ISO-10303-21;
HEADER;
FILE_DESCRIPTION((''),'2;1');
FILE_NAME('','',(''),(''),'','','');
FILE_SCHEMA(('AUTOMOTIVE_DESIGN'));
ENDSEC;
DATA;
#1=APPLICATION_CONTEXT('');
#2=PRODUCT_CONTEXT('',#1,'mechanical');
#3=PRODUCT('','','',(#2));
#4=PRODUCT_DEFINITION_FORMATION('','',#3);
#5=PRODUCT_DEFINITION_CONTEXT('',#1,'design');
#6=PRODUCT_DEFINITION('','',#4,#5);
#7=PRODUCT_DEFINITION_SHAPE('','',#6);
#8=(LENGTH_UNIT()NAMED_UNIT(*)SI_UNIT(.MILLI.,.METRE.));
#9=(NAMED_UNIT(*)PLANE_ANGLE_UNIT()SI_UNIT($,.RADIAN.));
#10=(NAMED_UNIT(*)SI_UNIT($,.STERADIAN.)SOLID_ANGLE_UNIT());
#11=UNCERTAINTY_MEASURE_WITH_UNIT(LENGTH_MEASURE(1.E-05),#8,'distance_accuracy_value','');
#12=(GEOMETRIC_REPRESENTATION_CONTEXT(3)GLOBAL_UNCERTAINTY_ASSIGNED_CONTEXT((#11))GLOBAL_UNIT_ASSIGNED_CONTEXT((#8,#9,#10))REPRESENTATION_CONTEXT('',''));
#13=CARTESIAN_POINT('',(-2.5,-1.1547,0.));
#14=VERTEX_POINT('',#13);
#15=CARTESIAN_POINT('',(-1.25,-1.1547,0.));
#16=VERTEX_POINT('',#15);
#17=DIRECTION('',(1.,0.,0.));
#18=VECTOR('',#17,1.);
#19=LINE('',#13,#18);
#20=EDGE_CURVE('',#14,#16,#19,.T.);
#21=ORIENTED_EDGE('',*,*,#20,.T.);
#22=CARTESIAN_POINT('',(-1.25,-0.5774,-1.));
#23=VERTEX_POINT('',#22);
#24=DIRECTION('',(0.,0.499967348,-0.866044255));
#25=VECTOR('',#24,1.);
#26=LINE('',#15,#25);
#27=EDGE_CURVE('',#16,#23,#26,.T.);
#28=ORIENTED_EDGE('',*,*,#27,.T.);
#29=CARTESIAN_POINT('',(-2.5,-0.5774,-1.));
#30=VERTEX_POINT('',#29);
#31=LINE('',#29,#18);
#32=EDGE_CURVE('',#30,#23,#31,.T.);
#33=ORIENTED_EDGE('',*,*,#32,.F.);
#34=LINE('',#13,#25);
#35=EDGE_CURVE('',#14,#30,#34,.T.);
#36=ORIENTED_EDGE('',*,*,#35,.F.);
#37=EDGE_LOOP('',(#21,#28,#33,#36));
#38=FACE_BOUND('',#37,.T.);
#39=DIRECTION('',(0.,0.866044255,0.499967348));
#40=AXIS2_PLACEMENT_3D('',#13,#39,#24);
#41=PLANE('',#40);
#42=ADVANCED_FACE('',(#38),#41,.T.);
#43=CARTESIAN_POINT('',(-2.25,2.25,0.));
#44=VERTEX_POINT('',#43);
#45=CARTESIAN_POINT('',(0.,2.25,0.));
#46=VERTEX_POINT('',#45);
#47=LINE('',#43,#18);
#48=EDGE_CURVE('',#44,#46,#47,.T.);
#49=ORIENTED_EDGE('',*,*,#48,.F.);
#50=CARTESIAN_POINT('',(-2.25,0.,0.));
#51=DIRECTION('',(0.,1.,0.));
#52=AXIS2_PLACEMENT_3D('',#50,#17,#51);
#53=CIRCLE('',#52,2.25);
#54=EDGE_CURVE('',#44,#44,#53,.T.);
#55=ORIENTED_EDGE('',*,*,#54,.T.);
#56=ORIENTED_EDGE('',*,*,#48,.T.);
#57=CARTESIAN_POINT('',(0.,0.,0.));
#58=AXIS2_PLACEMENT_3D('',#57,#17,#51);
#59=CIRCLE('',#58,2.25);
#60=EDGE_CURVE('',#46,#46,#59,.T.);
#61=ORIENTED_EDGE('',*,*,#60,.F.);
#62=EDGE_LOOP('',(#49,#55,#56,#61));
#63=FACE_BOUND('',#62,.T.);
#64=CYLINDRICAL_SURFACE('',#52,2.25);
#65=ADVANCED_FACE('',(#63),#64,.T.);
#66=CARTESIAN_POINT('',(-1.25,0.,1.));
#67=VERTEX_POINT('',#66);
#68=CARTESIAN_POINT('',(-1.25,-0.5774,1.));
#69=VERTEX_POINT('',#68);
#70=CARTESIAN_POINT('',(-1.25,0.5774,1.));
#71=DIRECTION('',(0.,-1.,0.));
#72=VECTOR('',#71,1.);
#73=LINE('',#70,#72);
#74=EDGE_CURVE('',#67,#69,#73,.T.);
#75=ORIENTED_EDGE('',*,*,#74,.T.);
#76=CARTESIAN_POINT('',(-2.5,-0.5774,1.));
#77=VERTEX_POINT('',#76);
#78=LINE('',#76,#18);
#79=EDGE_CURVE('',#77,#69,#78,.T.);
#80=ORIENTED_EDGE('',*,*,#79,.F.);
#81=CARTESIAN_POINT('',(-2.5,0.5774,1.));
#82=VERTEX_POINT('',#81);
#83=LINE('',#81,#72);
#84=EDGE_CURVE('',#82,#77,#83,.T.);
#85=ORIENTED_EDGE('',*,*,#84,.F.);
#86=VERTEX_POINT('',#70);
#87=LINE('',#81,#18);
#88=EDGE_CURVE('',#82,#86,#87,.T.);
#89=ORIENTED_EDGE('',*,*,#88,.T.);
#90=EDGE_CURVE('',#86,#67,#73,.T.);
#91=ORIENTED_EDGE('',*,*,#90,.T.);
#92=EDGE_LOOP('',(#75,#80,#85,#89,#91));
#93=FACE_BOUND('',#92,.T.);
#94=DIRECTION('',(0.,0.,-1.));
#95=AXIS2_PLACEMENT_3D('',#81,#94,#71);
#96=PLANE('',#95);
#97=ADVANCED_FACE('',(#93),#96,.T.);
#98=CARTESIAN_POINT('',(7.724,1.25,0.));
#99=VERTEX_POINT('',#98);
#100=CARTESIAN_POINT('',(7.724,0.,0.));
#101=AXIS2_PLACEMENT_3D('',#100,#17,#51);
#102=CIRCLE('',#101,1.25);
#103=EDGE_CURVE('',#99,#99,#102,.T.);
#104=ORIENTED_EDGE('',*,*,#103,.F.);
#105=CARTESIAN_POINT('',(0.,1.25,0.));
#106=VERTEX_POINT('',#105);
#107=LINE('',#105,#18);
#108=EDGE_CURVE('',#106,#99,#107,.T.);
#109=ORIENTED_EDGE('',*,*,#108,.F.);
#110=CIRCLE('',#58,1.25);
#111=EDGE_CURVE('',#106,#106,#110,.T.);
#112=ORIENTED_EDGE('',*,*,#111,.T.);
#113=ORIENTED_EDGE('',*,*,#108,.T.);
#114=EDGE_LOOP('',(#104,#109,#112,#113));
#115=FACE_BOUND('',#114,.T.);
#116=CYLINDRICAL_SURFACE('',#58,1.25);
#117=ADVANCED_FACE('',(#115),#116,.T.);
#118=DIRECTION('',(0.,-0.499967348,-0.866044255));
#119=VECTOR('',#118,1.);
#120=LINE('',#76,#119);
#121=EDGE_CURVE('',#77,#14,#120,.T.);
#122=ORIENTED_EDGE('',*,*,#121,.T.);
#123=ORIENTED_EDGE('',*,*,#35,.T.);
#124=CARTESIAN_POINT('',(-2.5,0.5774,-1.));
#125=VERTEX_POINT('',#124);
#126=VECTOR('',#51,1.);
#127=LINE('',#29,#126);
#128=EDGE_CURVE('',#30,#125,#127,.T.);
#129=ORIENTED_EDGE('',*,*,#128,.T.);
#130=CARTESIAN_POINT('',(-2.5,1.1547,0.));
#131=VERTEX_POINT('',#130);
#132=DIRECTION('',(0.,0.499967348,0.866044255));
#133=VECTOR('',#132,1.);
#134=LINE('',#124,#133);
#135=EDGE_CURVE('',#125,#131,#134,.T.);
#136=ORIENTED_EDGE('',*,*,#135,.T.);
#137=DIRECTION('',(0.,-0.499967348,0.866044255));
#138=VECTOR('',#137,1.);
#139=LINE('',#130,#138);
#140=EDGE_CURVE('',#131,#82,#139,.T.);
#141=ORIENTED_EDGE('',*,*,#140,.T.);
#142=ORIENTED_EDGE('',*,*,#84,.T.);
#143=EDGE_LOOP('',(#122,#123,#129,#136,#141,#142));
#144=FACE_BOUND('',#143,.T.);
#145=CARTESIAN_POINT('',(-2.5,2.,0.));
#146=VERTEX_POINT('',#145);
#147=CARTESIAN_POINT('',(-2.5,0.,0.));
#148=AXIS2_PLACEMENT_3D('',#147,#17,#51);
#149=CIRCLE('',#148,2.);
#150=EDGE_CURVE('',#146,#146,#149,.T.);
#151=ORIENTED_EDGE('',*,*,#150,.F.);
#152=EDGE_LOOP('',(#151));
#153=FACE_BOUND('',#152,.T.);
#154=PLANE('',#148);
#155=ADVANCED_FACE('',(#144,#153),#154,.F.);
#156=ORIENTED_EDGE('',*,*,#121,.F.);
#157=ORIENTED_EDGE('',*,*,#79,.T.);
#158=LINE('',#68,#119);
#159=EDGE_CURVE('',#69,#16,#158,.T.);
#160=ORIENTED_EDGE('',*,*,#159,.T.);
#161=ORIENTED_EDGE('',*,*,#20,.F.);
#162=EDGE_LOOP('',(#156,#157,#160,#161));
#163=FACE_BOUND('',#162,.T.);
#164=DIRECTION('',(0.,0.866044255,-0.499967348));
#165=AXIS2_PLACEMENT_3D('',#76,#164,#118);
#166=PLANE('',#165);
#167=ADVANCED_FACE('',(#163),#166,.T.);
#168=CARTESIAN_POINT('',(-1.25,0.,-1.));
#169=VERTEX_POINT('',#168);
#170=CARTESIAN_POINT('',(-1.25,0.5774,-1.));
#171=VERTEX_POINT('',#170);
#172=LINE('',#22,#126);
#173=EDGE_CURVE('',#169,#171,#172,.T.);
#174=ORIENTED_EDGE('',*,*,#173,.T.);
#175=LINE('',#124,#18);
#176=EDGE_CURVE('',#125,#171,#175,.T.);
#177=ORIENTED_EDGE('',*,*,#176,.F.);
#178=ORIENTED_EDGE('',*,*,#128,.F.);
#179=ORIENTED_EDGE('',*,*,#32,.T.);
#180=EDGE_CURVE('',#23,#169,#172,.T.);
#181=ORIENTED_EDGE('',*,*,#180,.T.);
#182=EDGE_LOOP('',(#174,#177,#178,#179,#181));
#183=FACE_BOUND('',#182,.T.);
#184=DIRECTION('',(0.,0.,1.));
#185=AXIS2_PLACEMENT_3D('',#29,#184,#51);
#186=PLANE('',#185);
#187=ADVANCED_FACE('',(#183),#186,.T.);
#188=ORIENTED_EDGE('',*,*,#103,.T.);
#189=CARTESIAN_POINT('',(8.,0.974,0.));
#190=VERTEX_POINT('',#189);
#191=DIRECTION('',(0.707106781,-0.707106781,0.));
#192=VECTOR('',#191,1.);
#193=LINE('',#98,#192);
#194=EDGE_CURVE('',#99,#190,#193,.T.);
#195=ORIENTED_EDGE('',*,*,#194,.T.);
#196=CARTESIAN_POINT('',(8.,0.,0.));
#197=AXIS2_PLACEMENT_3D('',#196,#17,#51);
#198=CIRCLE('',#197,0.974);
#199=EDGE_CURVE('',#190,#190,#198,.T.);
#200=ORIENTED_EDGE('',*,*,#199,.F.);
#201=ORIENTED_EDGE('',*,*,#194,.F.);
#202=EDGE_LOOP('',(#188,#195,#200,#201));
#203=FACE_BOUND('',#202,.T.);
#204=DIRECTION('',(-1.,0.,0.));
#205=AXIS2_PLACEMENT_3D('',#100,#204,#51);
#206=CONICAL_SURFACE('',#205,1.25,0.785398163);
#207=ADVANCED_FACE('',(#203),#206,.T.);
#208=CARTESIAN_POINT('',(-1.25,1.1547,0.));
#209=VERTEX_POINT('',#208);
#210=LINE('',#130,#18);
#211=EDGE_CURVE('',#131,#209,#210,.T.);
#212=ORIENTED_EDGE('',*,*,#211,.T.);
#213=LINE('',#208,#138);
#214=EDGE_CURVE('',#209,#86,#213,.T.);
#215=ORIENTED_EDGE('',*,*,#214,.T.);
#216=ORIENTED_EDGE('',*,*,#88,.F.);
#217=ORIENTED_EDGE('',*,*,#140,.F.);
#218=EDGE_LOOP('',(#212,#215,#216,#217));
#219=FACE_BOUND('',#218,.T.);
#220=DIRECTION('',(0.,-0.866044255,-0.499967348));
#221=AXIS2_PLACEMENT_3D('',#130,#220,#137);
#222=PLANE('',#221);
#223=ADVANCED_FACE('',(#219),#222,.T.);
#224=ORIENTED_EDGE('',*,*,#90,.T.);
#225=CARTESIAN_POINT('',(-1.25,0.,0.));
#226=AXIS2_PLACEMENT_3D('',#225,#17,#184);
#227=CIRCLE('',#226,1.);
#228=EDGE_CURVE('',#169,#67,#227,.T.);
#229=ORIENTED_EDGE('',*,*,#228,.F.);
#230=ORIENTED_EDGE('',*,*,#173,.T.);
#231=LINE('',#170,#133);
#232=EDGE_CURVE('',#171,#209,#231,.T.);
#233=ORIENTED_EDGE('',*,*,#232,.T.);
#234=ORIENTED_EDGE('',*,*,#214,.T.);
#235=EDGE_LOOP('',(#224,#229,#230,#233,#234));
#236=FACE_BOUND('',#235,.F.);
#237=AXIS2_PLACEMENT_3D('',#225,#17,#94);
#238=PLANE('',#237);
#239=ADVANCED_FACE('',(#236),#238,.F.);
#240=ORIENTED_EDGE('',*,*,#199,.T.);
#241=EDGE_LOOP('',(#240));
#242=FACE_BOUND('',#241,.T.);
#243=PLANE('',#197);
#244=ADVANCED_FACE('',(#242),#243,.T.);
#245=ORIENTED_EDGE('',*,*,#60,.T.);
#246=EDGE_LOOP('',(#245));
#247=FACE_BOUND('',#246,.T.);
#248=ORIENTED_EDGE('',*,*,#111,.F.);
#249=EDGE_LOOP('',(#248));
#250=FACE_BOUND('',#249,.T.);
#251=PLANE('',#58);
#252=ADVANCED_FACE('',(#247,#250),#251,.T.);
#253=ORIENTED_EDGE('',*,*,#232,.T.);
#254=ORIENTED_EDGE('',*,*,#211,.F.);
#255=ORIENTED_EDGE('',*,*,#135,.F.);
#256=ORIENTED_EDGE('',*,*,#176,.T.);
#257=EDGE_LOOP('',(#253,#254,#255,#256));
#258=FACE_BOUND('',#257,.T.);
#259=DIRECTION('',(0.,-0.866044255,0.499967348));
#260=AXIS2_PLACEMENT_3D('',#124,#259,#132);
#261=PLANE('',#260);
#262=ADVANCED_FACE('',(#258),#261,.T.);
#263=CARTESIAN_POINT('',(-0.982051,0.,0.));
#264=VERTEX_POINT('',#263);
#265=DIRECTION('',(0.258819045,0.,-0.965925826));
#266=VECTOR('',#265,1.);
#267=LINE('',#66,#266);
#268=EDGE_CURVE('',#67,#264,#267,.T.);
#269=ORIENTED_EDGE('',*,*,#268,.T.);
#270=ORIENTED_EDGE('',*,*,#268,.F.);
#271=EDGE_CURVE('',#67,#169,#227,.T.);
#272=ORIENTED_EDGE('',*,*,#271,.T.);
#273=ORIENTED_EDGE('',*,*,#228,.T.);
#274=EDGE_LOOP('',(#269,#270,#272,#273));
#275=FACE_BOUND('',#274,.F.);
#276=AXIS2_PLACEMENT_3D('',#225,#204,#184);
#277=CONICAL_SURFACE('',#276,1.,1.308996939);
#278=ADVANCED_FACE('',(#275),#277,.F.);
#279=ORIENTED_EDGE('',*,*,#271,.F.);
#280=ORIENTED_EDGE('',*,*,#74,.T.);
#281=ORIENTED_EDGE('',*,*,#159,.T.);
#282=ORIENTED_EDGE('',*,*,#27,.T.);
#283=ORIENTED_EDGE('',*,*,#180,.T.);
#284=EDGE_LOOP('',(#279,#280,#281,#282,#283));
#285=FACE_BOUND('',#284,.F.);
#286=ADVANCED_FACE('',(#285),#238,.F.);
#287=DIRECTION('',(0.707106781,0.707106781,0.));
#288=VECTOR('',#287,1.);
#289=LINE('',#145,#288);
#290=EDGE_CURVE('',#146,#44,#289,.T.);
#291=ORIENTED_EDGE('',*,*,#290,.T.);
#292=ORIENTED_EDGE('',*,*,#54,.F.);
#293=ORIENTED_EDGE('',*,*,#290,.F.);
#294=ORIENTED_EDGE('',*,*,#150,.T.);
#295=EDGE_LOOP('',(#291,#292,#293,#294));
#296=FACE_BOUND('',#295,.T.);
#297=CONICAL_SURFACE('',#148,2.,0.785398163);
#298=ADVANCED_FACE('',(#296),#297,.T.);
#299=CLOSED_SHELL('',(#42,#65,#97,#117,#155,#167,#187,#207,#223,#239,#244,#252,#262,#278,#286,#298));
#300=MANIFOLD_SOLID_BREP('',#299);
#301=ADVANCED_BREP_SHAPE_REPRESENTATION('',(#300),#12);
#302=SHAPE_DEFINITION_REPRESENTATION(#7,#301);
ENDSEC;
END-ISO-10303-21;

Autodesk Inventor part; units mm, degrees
sketch "Sketch_1" plane through (0, 0, 0) normal (0, 0, 1) x (1, 0, 0)
  line L0 (8, 0) -> (-2.5, 0)
  line L1 (-2.5, 0) -> (-2.5, 2)
  line L2 (-2.5, 2) -> (-2.25, 2.25)
  line L3 (-2.25, 2.25) -> (0, 2.25)
  line L4 (0, 2.25) -> (0, 1.25)
  line L5 (0, 1.25) -> (7.724, 1.25)
  line L6 (7.724, 1.25) -> (8, 0.974)
  line L7 (8, 0.974) -> (8, 0)
  line L8 (8, 0) -> (-2.5, 0)
revolve "Revolution1" add sketch "Sketch_1" angle 360 about axis through (8, 0, 0) along (1, 0, 0)
thread "Thread1" size "M2.5x0.45" class "6g" standard "ISO Metric profile" length 6.724
sketch "Sketch2" plane through (-2.5, 0, 0) normal (-1, 0, 0) x (0, 0, 1)
  point P0 (0, 0)
hole "Hole1" at (-2.5, 0, 0) direction (1, 0, 0) diameter 2 depth 1.25 tip angle 150
sketch "Sketch_3" plane through (-2.5, 0, 0) normal (1, 0, 0) x (0, 0, -1)
  line L0 (-1, -0.5774) -> (0, -1.1547)
  line L1 (0, -1.1547) -> (1, -0.5774)
  line L2 (1, -0.5774) -> (1, 0.5774)
  line L3 (1, 0.5774) -> (0, 1.1547)
  line L4 (0, 1.1547) -> (-1, 0.5774)
  line L5 (-1, 0.5774) -> (-1, -0.5774)
extrude "Extrusion1" cut sketch "Sketch_3" along normal blind 1.25
ref_plane "bolt_to_nut_XY" through (8, 0, 0) normal (1, 0, 0) x (0, 0, -1)
ref_plane "bolt_to_nut_YZ" through (8, 0, 0) normal (0, 0, -1) x (0, 1, 0)
ref_plane "bolt_to_nut_ZX" through (8, 0, 0) normal (0, 1, 0) x (1, 0, 0)
ref_plane "screw1_XY" through (0, 0, 0) normal (1, 0, 0) x (0, 0, -1)
ref_plane "screw1_YZ" through (0, 0, 0) normal (0, 0, -1) x (0, 1, 0)
ref_plane "screw1_ZX" through (0, 0, 0) normal (0, 1, 0) x (1, 0, 0)
properties part number "CB2_5-8" material "鋼、炭素鋼"
